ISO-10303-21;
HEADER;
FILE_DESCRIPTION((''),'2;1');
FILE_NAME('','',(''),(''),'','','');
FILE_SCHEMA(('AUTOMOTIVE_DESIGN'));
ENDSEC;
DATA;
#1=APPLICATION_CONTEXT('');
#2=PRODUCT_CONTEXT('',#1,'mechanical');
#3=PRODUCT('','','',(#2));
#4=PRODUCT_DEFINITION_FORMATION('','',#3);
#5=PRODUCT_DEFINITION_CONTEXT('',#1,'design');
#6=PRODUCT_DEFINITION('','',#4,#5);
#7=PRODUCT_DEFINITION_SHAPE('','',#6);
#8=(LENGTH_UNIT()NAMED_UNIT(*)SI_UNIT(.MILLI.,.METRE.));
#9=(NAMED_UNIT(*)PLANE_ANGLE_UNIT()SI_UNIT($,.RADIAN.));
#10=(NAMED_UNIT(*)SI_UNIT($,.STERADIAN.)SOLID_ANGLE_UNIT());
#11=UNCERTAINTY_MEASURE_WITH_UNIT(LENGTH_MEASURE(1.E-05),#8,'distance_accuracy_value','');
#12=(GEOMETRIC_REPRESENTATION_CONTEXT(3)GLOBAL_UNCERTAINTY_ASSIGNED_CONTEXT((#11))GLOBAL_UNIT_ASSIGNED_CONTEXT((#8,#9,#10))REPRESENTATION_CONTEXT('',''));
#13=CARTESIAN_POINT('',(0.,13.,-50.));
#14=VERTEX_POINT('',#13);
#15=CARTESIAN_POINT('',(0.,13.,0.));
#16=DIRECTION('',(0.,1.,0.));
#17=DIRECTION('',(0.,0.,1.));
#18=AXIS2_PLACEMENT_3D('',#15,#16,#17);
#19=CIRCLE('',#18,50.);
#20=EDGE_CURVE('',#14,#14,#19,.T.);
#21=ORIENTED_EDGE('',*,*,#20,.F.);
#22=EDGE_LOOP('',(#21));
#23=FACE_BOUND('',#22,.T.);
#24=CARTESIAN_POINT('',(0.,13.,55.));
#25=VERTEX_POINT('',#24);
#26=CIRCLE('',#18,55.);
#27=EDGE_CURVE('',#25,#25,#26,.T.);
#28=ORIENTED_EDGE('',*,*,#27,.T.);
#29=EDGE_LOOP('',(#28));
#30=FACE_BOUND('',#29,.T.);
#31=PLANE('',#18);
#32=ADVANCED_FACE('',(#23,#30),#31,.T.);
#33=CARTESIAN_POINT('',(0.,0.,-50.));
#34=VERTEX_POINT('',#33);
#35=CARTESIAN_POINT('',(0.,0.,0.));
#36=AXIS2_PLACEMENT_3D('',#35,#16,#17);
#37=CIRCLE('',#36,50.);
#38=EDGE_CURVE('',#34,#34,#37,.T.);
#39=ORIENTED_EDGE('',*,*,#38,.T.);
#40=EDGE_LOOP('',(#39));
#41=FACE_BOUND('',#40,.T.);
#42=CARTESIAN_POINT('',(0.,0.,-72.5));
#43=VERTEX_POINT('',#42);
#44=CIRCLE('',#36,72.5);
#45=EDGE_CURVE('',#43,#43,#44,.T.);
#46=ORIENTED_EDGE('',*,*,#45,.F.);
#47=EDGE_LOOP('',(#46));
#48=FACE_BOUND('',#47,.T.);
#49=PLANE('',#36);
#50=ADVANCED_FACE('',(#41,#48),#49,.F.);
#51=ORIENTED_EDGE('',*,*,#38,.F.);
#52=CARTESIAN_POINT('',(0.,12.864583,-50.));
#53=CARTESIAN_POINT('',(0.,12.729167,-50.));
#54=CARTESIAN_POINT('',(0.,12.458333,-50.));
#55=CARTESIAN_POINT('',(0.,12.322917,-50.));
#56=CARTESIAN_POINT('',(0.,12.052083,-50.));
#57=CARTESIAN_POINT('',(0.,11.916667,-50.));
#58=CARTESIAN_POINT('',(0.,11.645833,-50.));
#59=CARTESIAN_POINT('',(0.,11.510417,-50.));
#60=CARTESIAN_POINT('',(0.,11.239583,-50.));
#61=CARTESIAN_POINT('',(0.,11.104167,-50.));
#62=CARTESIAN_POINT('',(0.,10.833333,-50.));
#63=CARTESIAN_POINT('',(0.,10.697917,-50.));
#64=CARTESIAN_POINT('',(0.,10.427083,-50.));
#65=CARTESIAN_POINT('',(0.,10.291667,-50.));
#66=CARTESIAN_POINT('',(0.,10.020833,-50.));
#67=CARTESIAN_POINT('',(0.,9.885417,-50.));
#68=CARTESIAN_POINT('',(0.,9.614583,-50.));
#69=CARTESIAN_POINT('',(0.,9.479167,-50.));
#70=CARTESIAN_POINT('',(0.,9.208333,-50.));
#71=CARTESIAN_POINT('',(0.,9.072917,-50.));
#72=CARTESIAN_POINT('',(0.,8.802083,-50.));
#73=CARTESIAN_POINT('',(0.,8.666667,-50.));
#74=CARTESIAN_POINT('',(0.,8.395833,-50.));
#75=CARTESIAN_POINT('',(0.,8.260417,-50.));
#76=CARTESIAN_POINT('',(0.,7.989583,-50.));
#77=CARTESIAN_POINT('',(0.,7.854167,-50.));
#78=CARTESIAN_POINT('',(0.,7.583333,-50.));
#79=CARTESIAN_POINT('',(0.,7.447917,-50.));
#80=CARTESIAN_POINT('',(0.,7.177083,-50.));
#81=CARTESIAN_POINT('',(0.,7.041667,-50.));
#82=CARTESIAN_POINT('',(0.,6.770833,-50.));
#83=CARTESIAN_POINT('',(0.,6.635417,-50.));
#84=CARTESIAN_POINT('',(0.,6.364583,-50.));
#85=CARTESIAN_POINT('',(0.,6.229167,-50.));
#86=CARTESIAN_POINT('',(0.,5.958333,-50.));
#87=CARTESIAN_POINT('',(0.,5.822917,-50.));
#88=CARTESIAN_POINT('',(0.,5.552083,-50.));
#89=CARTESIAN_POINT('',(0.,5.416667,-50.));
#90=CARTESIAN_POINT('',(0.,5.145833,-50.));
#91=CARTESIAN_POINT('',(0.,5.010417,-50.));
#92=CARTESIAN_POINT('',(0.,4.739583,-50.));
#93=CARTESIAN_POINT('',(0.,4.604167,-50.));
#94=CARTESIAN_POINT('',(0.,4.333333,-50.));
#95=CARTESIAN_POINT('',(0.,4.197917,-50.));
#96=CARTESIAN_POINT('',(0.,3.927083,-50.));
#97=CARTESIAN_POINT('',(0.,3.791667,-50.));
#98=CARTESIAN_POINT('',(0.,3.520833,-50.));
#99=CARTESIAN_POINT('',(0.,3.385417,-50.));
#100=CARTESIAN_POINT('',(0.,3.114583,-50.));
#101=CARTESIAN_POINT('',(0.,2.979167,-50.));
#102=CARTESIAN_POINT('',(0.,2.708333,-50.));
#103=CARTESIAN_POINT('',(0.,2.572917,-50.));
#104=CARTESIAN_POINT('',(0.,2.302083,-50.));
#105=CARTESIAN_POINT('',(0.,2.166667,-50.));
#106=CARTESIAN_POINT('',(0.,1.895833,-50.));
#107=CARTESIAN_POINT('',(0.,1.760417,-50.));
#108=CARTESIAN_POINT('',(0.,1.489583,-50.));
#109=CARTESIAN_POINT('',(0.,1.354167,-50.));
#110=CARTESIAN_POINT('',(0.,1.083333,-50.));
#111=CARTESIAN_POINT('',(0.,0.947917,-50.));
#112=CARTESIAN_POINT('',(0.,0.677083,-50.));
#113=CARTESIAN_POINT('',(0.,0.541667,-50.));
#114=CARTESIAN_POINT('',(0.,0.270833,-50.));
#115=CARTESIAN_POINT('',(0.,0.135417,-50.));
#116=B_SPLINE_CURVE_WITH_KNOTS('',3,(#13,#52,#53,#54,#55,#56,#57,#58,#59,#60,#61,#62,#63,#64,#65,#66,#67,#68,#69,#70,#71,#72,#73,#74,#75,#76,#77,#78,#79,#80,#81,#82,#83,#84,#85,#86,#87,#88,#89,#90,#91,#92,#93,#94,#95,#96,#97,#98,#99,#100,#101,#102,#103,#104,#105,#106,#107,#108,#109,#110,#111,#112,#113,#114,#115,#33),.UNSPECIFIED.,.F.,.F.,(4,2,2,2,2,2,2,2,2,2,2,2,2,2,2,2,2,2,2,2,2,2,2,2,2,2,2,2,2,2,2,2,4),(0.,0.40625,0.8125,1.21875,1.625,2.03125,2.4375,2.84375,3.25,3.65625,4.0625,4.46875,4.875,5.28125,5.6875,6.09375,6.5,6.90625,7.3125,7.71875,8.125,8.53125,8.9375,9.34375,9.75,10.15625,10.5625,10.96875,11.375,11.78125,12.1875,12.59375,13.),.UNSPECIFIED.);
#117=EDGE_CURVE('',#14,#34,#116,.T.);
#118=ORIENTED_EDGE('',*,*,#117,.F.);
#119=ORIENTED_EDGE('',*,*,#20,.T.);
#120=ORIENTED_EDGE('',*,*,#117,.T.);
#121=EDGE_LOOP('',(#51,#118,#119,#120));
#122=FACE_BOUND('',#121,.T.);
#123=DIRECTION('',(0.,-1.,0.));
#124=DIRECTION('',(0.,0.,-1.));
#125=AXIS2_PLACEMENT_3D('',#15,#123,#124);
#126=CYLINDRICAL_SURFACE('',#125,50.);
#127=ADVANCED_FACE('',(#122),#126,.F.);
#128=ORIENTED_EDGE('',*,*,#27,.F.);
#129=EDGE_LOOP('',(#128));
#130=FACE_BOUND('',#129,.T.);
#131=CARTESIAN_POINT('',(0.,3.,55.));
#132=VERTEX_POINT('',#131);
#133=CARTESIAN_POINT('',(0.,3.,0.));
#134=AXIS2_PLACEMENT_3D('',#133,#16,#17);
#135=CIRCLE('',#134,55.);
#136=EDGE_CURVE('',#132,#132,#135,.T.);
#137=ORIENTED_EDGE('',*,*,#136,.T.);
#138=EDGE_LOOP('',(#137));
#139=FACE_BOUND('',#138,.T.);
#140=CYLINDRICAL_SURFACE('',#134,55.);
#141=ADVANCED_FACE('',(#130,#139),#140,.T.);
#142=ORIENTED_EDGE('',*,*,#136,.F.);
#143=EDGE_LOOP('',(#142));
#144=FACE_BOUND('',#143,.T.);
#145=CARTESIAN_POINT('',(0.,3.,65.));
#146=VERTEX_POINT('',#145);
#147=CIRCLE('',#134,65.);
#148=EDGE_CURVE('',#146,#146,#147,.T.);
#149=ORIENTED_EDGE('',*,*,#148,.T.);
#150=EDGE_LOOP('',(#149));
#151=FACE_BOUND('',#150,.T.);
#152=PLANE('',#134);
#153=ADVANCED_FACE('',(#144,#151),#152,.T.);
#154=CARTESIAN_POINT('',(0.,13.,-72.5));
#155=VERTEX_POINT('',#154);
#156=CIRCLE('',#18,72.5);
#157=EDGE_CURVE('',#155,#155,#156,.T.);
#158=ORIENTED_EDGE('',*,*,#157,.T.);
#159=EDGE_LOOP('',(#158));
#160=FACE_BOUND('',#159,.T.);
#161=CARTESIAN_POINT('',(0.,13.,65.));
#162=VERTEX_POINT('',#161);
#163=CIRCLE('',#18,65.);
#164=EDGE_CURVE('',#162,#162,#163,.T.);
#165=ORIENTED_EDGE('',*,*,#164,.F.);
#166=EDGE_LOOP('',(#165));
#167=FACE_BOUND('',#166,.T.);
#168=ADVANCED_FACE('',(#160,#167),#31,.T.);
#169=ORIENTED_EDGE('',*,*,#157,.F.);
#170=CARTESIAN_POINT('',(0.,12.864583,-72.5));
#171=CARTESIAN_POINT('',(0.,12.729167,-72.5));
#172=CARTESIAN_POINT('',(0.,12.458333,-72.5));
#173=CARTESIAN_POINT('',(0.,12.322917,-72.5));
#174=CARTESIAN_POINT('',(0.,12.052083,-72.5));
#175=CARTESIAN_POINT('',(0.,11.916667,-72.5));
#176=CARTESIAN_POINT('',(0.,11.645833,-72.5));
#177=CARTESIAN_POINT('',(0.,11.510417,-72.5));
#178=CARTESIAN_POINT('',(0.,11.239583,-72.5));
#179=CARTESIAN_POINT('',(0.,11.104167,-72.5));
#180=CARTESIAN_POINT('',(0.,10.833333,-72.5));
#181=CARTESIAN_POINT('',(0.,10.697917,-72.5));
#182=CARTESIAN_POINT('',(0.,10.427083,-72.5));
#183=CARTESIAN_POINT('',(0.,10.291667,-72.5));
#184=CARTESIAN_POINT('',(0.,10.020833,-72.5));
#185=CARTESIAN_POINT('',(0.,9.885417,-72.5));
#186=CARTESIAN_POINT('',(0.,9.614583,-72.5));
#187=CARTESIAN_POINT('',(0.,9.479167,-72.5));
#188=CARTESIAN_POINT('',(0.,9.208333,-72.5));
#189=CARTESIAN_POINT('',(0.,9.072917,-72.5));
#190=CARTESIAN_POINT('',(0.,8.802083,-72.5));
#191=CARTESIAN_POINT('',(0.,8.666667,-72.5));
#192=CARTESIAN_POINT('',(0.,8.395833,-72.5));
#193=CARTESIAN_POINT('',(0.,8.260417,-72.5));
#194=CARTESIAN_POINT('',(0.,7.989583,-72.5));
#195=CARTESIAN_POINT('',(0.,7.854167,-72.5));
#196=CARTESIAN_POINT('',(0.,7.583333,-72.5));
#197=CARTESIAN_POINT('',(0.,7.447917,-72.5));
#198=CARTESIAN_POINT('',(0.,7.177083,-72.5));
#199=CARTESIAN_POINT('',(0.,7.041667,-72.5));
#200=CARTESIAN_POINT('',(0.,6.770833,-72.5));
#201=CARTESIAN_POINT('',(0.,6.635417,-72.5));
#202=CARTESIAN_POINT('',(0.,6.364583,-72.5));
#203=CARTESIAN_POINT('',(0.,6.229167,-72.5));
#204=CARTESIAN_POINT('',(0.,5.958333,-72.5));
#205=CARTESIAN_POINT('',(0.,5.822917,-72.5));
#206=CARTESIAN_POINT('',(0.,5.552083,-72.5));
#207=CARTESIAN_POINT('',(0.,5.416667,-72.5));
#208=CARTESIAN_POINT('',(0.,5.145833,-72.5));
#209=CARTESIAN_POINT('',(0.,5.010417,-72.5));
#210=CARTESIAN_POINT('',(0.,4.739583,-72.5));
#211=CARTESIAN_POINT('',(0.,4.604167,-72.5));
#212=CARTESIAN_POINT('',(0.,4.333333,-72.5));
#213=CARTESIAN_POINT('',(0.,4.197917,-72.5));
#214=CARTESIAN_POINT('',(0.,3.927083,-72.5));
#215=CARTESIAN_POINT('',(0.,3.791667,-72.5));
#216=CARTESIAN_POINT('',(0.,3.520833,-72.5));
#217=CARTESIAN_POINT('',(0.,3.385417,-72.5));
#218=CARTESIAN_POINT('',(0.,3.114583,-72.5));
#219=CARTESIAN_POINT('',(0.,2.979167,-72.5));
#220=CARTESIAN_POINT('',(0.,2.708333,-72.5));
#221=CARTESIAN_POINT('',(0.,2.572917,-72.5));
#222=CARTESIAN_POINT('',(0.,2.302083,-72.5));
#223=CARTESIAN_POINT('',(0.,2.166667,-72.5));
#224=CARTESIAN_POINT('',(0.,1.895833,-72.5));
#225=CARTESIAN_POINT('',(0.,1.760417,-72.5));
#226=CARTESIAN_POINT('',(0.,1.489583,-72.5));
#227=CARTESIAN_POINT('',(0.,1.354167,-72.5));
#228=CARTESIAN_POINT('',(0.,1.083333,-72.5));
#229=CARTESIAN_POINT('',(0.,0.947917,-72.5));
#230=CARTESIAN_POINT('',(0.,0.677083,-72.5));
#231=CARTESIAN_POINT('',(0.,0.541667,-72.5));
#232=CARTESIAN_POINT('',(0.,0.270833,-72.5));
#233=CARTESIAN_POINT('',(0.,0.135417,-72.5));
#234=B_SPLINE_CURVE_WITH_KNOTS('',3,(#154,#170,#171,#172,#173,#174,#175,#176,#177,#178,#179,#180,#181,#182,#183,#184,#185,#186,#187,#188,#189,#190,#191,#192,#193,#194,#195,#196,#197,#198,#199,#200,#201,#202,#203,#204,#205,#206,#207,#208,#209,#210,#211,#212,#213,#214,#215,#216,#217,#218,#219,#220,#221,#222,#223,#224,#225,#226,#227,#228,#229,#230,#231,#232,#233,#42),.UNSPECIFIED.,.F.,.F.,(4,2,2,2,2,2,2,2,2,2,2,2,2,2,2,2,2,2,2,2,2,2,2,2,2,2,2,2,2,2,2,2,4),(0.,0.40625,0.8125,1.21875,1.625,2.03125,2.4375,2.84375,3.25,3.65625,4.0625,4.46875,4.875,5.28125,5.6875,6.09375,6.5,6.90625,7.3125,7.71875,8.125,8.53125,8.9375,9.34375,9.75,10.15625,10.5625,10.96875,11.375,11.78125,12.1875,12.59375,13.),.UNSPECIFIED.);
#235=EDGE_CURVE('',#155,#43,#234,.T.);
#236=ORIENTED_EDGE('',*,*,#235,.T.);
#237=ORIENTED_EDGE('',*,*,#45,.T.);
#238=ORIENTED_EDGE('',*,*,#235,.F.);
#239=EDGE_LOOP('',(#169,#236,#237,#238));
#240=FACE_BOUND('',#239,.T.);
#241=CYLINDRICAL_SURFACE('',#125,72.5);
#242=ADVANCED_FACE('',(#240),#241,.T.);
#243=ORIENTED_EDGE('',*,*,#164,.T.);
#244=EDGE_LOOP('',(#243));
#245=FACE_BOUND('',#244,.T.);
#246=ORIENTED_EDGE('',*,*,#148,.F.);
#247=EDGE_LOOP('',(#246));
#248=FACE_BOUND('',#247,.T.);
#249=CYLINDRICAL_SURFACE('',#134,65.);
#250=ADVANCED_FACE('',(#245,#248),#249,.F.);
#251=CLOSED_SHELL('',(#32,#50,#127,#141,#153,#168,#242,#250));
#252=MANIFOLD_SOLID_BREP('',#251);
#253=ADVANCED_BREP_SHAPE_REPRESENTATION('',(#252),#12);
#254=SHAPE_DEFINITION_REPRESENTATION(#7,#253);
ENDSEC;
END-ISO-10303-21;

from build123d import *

# Parameters (mm, degrees)
SKETCH_1_R          = 72.5
SKETCH_1_R_2        = 50
EXTRUDE_1_DEPTH     = 13
SKETCH_2_R          = 65
SKETCH_2_R_2        = 55
CUT_EXTRUDE_1_DEPTH = 10


with BuildPart() as part:
    # 草图1 → 凸台-拉伸1 (new body)
    with BuildSketch(Plane(origin=(0, 0, 0), x_dir=(1, 0, 0), z_dir=(0, 1, 0))):
        with Locations(Location((0, 0, 0), (0, 0, 90))):
            Circle(SKETCH_1_R)
        with Locations(Location((0, 0, 0), (0, 0, 90))):
            Circle(SKETCH_1_R_2, mode=Mode.SUBTRACT)
    extrude(amount=EXTRUDE_1_DEPTH)

    # 草图2 → 切除-拉伸1 (cut)
    with BuildSketch(Plane(origin=(0, 13, 0), x_dir=(1, 0, 0), z_dir=(0, 1, 0))):
        with Locations(Location((0, 0, 0), (0, 0, 270))):
            Circle(SKETCH_2_R)
        with Locations(Location((0, 0, 0), (0, 0, 270))):
            Circle(SKETCH_2_R_2, mode=Mode.SUBTRACT)
    extrude(amount=-CUT_EXTRUDE_1_DEPTH, mode=Mode.SUBTRACT)


solid = part.part
